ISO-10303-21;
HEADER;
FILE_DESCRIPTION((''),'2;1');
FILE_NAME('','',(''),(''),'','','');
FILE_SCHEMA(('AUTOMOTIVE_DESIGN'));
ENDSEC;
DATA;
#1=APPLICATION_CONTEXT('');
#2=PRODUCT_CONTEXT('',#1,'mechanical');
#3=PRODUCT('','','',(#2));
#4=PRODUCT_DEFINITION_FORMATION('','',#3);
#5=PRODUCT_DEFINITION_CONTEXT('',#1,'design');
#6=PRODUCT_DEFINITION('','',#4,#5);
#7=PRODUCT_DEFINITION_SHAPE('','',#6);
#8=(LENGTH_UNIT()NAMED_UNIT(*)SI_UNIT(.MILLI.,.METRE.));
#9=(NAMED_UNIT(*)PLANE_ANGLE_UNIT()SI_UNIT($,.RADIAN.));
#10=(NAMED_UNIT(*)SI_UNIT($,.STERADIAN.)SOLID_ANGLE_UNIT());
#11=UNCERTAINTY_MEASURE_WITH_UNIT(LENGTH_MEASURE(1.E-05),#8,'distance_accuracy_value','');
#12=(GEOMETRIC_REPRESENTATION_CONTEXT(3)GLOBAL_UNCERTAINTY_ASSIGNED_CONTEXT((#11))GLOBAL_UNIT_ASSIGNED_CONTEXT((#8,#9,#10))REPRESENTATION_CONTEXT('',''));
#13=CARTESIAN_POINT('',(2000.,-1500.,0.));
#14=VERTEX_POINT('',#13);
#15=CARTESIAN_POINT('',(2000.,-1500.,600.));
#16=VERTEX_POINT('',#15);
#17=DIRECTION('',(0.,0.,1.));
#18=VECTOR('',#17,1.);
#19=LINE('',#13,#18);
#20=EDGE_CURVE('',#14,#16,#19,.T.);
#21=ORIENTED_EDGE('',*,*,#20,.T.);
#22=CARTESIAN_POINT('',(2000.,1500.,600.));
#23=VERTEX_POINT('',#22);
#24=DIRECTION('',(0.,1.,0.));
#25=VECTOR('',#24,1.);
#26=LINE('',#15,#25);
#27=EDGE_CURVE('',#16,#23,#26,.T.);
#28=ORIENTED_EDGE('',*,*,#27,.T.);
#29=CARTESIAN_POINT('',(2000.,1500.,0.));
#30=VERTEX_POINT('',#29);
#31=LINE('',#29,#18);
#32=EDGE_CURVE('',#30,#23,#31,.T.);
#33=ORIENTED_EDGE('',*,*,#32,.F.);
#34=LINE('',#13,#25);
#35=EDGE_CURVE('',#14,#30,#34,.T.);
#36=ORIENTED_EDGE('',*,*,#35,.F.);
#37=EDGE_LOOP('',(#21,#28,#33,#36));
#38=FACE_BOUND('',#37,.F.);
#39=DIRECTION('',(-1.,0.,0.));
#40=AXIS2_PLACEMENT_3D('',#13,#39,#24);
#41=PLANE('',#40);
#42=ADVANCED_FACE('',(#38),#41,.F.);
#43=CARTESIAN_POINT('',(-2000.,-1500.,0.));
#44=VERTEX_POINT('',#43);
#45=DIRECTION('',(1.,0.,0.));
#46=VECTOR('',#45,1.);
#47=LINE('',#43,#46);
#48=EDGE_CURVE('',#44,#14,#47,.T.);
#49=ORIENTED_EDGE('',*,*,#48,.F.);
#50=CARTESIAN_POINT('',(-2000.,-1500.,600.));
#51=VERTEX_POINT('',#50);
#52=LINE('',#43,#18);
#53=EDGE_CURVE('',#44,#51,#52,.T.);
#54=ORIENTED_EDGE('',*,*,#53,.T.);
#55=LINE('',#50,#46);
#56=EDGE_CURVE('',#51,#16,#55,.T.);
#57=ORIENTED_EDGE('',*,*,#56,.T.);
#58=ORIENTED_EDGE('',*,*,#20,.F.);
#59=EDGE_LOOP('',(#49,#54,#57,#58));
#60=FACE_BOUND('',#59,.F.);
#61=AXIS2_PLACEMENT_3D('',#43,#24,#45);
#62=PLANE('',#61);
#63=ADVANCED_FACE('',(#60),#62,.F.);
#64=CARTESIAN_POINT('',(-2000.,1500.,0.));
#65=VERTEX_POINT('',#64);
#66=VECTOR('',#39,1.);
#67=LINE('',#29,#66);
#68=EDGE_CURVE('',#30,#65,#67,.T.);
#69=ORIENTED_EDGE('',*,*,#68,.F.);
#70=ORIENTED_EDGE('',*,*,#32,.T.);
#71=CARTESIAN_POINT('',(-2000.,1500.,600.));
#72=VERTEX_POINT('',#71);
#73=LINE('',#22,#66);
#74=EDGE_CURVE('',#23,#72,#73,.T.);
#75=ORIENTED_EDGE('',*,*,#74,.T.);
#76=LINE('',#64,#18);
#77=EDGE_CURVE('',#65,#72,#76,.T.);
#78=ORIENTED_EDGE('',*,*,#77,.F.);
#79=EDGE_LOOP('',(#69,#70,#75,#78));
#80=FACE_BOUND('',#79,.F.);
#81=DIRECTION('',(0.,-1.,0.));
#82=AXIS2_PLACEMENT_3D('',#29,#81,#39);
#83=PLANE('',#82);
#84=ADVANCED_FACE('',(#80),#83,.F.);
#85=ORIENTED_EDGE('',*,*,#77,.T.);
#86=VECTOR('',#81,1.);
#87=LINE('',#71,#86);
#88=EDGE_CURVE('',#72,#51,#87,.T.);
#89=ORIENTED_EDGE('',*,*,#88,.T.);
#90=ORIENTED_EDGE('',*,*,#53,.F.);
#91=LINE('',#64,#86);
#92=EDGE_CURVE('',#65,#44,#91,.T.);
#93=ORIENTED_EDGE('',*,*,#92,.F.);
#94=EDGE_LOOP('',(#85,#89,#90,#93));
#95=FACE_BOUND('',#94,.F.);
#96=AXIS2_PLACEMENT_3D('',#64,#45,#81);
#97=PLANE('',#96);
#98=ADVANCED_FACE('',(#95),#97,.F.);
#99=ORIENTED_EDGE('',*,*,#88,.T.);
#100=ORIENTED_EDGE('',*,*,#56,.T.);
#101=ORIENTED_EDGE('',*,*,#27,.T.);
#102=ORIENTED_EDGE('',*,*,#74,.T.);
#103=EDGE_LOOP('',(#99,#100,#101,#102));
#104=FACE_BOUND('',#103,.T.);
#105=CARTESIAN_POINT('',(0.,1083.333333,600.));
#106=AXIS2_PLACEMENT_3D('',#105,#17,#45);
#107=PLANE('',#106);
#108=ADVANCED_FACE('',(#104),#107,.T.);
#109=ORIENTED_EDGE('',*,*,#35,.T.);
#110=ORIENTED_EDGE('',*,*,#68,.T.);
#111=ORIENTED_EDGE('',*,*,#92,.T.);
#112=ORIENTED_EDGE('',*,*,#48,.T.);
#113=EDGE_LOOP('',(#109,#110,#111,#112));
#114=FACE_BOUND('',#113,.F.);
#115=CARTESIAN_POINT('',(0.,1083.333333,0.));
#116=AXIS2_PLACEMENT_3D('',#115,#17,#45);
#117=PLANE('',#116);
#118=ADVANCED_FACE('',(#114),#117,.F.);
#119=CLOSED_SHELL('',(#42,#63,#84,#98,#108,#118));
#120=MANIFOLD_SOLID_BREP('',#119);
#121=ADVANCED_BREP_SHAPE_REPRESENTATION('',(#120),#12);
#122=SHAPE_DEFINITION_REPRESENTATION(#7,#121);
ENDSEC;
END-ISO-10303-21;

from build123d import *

# Parameters (mm, degrees)
F1_DEPTH = 600


with BuildPart() as f1:
    # F0 (on Top) → F1 (new body)
    with BuildSketch(Plane.XY):
        Polygon((2000, 1500), (-2000, 1500), (0, 0), align=None)
        Polygon((0, 0), (-2000, 1500), (-2000, -1500), align=None)
        Polygon((2000, -1500), (0, 0), (-2000, -1500), align=None)
        Polygon((2000, 1500), (0, 0), (2000, -1500), align=None)
    extrude(amount=F1_DEPTH)


solid = f1.part
